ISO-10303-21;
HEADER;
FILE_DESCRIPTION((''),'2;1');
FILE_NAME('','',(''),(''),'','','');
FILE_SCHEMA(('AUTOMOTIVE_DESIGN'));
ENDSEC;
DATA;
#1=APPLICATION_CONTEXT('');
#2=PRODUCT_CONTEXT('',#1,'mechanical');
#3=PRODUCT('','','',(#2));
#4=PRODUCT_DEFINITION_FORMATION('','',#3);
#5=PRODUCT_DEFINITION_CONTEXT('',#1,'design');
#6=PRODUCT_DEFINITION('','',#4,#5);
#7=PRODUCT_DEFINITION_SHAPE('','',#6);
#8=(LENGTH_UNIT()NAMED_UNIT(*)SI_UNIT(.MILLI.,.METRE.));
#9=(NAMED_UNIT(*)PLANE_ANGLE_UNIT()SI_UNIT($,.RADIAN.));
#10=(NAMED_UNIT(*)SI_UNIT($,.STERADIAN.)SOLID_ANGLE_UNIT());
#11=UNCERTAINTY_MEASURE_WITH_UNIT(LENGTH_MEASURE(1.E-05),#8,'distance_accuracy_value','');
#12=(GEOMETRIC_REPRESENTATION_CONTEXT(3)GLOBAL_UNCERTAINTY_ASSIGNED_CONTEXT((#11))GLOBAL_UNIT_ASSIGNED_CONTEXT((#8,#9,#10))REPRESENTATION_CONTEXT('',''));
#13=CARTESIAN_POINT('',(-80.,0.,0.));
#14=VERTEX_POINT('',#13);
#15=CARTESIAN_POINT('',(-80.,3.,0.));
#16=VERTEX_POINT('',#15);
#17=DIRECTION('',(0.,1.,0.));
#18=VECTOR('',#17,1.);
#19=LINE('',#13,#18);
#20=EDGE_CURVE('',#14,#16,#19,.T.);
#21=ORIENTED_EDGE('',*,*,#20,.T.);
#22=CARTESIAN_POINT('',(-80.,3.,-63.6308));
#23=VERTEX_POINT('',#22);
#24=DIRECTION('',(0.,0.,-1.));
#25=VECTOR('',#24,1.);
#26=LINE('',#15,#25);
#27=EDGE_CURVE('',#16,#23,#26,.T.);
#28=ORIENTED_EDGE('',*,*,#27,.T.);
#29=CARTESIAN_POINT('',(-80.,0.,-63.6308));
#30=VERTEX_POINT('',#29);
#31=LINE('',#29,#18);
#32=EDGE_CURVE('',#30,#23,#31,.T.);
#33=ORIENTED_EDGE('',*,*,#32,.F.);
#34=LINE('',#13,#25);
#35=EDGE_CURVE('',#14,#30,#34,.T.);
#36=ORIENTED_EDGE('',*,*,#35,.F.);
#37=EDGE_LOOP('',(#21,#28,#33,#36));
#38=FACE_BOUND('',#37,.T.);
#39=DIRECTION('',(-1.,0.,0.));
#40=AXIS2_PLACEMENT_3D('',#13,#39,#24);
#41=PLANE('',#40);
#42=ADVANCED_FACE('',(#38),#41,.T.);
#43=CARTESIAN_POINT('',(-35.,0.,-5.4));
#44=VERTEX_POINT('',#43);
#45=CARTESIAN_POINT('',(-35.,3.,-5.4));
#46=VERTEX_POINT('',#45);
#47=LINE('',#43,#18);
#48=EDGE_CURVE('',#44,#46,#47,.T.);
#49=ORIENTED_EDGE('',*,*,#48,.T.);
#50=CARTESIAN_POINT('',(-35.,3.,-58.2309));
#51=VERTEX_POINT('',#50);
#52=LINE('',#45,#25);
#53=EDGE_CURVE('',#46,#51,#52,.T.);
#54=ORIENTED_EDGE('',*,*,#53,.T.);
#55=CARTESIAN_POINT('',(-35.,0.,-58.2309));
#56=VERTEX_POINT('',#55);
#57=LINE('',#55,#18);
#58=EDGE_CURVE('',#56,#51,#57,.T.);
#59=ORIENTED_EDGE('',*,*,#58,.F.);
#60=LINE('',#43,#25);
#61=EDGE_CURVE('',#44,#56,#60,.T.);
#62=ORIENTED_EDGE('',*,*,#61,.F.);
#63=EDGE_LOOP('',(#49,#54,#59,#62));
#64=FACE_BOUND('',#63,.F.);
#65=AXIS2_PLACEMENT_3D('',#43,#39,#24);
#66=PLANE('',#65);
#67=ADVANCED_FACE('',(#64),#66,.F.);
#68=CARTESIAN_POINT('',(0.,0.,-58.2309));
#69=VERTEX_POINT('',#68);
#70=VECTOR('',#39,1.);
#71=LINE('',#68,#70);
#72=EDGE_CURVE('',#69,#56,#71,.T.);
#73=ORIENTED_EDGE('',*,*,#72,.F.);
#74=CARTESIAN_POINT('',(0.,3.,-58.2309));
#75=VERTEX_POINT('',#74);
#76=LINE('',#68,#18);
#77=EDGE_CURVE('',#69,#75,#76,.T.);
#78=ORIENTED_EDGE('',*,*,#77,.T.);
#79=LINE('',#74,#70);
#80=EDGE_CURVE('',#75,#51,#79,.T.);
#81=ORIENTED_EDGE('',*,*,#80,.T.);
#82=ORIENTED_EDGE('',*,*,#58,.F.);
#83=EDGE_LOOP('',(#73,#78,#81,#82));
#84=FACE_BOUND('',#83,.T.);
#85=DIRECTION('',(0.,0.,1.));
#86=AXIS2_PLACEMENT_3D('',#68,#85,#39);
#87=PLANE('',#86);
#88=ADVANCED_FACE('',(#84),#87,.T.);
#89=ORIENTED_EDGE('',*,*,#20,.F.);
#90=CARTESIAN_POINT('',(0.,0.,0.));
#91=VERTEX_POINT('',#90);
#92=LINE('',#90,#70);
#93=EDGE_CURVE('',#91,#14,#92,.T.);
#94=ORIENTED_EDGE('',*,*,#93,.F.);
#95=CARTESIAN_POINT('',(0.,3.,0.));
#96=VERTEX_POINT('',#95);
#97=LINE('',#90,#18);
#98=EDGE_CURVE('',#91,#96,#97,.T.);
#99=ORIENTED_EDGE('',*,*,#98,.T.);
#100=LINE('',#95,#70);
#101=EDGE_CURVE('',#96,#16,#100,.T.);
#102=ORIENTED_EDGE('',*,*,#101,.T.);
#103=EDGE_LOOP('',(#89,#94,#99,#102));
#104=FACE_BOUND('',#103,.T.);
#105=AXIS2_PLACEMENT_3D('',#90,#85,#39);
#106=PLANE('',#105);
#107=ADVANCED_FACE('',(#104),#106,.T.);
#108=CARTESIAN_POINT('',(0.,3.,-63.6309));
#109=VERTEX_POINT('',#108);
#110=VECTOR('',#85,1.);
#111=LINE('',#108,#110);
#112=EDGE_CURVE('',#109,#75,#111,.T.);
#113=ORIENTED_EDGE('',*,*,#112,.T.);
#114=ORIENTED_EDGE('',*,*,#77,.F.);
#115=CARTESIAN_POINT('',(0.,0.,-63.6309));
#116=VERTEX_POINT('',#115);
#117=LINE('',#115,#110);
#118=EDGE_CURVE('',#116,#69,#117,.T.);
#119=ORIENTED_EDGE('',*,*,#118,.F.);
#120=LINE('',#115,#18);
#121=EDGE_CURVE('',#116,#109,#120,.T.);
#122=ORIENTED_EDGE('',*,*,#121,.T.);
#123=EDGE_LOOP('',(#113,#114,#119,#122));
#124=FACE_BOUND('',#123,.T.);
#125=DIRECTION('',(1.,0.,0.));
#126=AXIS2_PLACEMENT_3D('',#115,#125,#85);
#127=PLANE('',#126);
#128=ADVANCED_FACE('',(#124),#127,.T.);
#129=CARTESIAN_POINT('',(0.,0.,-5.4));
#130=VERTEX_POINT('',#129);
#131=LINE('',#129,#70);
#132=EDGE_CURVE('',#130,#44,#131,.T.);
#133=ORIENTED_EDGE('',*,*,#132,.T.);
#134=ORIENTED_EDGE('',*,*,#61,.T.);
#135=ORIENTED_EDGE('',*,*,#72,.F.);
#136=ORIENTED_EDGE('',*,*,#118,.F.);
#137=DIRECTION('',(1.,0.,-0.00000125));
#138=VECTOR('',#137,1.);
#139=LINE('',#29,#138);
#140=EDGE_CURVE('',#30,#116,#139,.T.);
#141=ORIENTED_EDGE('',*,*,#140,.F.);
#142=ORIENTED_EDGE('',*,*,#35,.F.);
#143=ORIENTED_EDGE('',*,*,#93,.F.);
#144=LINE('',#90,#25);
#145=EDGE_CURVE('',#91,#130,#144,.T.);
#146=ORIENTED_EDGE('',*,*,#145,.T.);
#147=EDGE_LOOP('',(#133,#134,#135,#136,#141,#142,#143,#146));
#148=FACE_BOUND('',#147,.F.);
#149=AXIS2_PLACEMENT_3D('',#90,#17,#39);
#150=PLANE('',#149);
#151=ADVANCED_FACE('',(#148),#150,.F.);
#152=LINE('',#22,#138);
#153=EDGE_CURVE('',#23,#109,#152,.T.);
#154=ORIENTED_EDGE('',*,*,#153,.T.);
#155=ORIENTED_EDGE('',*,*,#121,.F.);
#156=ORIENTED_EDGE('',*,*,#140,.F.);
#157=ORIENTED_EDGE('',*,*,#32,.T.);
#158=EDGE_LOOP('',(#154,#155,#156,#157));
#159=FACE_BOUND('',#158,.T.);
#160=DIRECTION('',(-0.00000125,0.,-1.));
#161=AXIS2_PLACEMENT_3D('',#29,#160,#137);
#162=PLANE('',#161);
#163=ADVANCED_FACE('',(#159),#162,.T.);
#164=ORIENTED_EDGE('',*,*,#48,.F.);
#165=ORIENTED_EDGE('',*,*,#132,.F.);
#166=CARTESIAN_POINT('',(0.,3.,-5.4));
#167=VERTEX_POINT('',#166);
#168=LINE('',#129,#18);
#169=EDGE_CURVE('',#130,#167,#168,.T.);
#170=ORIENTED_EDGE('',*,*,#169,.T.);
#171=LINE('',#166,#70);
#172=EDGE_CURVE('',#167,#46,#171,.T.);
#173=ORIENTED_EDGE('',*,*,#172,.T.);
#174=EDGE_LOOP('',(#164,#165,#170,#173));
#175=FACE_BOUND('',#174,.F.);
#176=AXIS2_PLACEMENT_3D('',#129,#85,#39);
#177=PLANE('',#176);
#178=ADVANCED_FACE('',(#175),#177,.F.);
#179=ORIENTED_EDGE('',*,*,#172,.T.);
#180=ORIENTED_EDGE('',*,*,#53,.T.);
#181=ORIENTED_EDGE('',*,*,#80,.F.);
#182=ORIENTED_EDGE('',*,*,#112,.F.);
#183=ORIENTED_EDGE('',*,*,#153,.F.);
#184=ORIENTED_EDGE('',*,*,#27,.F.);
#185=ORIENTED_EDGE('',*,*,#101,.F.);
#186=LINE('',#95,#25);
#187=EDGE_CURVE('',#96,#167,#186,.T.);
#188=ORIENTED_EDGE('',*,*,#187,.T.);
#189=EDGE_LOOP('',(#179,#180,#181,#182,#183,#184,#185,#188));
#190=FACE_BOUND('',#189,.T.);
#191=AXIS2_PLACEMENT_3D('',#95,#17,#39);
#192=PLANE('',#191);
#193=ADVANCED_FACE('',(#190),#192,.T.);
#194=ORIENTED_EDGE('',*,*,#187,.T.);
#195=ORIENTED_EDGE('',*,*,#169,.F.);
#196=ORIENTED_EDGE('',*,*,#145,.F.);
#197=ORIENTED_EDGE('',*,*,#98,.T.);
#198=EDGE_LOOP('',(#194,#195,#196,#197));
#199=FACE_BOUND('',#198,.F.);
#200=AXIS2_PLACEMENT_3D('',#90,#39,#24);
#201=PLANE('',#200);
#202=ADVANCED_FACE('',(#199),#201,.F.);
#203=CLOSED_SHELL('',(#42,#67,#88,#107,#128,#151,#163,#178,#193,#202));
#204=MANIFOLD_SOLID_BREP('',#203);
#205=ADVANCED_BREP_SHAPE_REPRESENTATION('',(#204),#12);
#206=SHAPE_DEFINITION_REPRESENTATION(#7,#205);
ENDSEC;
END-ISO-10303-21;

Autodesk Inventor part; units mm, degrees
ref_plane "YZ Plane" through (0, 0, 0) normal (1, 0, 0) x (0, 1, 0)
ref_plane "XZ Plane" through (0, 0, 0) normal (0, 1, 0) x (-1, 0, 0)
ref_plane "XY Plane" through (0, 0, 0) normal (0, 0, 1) x (1, 0, 0)
sketch "Sketch1" plane through (0, 0, 0) normal (0, 1, 0) x (-1, 0, 0)
  line L0 (0, 0) -> (80, 0)
  line L1 (80, 0) -> (80, -63.6308)
  line L2 (80, -63.6308) -> (0, -63.6309)
  line L3 (0, -63.6309) -> (0, -58.2309)
  line L4 (0, -58.2309) -> (35, -58.2309)
  line L5 (0, 0) -> (0, -5.4)
  line L6 (0, -5.4) -> (35, -5.4)
  line L7 (35, -5.4) -> (35, -58.2309)
  line L8 (0, -5.4) -> (0, -58.2309)
  circle A0 centre (0, -31.8154) radius 23
  dimension "d0" = 80
  dimension "d1" = 63.6309
  dimension "d2" = 5.4
  dimension "d4" = 35
  dimension "d5" = 5.4
  dimension "d8" = 46
extrude "Extrusion1" add sketch "Sketch1" along normal blind 3 contours L0 L1 L2 L3 L4 L7 L6 L5
properties part number "Carcasa_llanta_posible"
